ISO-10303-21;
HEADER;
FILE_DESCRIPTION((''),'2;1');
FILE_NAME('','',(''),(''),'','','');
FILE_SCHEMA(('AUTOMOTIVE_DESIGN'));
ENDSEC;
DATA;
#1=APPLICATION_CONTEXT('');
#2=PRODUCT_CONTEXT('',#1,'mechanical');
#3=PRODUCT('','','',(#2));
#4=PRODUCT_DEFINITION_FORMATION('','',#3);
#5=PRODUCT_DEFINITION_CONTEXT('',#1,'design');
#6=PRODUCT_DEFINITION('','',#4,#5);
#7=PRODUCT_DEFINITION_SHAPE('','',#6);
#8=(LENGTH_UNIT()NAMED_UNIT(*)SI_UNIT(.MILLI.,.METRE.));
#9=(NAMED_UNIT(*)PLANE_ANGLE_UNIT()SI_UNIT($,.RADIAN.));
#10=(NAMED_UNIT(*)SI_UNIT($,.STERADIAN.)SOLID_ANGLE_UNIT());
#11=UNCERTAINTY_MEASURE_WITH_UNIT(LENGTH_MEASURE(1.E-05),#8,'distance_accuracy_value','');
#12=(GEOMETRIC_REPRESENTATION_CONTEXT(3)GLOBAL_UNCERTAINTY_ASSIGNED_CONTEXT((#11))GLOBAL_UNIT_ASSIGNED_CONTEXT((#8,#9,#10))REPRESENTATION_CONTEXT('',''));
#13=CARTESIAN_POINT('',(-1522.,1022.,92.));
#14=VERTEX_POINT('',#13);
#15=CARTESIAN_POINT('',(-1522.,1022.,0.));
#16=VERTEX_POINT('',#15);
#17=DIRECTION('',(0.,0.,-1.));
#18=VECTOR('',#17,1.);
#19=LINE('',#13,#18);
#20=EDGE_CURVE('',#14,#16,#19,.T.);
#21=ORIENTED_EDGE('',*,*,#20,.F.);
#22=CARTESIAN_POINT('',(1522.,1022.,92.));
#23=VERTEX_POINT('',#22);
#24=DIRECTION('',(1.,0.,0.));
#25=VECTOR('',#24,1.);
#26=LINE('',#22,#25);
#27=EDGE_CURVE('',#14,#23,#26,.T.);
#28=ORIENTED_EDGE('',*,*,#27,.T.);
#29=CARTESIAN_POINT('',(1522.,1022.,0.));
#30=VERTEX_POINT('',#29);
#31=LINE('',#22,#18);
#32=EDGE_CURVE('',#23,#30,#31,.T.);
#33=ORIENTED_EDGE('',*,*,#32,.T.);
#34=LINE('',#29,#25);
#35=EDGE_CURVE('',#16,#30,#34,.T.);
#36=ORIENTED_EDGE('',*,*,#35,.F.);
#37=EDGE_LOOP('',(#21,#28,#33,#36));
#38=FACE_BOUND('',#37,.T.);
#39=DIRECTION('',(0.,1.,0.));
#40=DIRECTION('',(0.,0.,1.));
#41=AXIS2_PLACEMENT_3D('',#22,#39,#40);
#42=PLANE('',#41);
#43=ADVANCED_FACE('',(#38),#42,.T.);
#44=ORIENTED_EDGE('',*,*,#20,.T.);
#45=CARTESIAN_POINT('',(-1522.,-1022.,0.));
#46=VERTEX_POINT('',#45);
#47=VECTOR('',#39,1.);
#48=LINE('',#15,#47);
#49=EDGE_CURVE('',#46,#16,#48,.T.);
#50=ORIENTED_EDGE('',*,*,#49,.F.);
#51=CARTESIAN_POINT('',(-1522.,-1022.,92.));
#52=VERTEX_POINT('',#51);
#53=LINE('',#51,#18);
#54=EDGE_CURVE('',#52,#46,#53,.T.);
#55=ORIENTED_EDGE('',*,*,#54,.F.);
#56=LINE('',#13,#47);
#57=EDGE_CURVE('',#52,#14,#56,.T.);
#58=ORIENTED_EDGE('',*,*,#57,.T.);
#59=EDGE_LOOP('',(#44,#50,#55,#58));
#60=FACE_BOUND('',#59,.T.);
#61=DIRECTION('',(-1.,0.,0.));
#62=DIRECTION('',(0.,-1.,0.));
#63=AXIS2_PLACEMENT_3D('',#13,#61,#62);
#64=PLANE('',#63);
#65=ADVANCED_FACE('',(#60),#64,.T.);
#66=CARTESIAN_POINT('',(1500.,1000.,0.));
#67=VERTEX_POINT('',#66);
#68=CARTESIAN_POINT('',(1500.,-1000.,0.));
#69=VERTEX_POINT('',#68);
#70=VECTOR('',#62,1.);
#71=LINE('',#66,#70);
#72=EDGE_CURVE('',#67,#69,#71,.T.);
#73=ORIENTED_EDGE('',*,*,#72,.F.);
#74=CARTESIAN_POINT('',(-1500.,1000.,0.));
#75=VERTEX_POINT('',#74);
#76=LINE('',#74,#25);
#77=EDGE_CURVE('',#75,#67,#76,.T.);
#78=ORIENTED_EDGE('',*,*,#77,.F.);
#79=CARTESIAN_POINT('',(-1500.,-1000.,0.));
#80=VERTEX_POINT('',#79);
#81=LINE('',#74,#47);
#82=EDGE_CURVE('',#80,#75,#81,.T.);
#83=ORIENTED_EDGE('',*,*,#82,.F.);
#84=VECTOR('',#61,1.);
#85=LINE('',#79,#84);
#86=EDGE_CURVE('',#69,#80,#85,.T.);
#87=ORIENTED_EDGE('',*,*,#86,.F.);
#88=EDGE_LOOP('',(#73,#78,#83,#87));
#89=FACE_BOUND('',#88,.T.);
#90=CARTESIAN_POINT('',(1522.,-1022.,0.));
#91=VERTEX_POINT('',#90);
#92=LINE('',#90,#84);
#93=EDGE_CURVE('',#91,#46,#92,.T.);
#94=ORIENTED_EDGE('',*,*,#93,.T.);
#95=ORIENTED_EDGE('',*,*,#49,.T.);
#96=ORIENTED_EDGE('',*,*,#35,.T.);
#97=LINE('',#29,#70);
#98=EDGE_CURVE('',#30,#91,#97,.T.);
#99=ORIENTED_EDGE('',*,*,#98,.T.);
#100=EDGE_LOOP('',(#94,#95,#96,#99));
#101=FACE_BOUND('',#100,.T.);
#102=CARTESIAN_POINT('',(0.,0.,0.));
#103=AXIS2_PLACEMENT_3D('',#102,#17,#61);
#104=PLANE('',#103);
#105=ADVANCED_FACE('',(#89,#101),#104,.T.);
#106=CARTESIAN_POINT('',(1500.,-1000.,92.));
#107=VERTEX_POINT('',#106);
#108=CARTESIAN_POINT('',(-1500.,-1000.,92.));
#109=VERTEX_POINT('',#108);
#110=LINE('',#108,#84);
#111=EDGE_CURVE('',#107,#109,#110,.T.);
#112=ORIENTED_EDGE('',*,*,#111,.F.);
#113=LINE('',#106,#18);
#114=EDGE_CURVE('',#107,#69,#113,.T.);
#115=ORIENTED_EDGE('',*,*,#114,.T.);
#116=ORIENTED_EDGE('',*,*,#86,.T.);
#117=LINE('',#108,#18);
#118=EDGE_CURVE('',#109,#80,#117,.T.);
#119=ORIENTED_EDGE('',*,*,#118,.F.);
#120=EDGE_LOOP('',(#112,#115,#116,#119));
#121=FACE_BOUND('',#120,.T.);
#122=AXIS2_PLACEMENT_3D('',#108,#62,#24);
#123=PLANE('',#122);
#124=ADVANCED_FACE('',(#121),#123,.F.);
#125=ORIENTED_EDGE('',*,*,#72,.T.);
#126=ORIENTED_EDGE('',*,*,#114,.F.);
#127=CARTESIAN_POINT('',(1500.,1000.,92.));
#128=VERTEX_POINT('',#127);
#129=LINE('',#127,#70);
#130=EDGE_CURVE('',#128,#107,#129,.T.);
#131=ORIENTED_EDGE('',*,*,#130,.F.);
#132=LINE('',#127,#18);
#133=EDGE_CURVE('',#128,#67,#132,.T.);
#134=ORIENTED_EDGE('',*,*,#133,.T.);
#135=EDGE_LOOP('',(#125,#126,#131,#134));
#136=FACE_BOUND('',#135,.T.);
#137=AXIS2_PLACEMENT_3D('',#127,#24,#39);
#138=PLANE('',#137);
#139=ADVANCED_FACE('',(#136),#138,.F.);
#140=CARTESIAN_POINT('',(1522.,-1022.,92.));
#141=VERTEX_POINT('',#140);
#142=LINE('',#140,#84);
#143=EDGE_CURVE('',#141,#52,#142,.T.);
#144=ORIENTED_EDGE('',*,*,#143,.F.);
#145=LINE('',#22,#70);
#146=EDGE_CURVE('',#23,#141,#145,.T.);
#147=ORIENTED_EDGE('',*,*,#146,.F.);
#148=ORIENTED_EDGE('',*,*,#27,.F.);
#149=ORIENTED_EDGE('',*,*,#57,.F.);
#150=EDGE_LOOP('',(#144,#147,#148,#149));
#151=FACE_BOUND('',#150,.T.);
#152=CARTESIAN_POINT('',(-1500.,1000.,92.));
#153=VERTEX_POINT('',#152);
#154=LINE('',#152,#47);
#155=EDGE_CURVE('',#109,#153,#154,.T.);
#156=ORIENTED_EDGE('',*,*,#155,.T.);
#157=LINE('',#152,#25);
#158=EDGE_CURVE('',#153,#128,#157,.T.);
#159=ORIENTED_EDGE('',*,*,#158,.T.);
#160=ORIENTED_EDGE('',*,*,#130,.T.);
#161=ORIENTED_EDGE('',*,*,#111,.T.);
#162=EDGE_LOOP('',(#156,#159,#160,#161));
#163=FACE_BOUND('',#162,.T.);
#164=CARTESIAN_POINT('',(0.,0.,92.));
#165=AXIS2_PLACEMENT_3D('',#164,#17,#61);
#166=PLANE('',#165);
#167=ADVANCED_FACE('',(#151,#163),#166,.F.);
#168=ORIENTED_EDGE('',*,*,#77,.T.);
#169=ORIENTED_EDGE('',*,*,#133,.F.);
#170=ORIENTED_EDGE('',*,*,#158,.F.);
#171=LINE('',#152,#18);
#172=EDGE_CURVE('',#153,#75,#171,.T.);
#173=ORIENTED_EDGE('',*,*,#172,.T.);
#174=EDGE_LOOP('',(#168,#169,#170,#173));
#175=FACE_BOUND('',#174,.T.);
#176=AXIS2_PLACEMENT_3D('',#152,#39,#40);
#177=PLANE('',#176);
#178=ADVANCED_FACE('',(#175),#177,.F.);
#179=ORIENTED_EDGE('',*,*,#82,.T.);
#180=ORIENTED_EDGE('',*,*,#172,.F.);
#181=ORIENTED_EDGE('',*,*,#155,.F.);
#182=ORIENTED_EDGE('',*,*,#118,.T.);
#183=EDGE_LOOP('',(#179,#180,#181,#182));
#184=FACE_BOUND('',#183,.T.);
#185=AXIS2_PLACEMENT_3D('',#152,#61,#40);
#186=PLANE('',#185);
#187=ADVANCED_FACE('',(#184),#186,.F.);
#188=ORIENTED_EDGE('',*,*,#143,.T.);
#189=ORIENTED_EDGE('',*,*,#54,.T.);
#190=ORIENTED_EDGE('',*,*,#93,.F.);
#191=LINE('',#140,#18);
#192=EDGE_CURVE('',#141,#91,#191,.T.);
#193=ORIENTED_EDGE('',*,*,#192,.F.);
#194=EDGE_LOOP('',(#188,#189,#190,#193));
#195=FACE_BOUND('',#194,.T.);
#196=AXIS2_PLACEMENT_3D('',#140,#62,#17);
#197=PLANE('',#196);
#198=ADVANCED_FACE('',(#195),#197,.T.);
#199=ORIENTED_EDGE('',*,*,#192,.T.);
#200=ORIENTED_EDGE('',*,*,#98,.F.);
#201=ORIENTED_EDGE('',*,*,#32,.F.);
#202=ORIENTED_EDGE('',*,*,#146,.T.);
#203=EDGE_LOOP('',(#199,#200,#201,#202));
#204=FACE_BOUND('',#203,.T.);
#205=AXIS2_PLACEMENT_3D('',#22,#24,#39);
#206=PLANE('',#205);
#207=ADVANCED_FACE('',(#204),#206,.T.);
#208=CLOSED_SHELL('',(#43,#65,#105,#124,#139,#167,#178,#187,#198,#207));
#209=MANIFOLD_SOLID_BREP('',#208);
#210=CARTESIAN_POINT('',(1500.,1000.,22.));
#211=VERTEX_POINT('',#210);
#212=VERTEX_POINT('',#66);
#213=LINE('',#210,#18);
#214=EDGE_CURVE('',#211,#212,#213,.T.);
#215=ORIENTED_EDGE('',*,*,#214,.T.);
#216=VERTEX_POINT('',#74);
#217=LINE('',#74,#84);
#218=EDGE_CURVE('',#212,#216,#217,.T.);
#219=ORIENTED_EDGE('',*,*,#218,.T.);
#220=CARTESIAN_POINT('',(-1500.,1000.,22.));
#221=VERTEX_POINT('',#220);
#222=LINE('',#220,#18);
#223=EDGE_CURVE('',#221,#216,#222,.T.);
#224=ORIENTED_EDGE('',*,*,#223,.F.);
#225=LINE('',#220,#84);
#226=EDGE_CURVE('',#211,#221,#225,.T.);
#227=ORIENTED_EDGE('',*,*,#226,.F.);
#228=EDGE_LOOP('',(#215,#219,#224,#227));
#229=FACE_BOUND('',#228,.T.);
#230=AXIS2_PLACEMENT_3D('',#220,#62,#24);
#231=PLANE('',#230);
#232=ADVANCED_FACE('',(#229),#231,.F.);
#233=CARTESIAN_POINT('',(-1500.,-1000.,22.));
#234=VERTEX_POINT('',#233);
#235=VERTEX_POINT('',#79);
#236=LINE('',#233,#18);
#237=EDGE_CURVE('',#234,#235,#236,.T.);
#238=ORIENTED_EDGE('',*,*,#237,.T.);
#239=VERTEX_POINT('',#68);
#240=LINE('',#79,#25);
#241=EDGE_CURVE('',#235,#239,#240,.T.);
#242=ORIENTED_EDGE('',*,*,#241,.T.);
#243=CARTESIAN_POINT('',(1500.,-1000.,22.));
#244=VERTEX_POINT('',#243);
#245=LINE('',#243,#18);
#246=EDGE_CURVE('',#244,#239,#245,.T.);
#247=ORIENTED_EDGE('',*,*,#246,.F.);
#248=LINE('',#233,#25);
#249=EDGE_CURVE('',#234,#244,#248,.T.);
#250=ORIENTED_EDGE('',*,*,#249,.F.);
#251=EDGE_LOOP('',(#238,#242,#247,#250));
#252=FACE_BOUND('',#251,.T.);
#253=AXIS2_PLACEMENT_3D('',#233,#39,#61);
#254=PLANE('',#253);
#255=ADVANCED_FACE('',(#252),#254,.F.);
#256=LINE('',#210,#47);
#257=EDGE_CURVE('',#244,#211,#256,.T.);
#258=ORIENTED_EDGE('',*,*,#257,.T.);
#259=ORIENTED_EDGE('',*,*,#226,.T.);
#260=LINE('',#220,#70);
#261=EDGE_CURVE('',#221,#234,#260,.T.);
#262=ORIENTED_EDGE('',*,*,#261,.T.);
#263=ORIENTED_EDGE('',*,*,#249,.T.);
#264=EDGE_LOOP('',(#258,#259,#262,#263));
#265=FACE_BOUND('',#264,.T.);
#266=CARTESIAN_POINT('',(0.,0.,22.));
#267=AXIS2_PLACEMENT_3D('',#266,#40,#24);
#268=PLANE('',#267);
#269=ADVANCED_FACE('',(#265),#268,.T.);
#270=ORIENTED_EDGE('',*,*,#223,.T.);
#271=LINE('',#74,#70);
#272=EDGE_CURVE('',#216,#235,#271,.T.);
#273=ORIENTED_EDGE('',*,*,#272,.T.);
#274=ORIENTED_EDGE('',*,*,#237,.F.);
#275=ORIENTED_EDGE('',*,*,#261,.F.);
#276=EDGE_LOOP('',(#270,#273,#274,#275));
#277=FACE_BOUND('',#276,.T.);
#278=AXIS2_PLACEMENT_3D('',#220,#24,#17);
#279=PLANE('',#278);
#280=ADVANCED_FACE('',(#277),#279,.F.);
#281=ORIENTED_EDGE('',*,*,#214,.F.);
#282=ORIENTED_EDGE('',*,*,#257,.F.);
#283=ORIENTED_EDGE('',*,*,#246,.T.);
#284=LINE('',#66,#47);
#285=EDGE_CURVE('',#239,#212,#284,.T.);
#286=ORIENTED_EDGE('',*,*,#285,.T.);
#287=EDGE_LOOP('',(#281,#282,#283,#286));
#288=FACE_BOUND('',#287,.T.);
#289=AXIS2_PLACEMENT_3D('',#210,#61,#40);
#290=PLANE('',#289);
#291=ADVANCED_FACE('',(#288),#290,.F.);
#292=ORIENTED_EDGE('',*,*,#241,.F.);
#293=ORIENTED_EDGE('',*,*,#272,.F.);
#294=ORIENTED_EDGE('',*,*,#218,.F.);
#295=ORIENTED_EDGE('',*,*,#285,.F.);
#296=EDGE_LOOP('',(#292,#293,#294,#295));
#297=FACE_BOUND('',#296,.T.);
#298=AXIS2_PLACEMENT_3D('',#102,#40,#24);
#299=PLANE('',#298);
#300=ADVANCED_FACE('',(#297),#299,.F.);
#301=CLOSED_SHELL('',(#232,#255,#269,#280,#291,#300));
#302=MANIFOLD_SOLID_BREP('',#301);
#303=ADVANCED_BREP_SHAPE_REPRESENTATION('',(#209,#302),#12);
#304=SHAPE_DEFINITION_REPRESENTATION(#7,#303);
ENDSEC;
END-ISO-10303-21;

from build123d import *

# Parameters (mm, degrees)
ESQUISSE1_W   = 3000
ESQUISSE1_H   = 2000
BOTTOM_DEPTH  = 22
ESQUISSE2_W   = 3044
ESQUISSE2_H   = 2044
ESQUISSE2_W_2 = 3000
ESQUISSE2_H_2 = 2000
BORDER_DEPTH  = 92


with BuildPart() as part:
    # Esquisse1 → Bottom (new body)
    with BuildSketch(Plane.XY):
        Rectangle(ESQUISSE1_W, ESQUISSE1_H)
    extrude(amount=BOTTOM_DEPTH)


with BuildPart() as body_2:
    # Esquisse2 → Border (new body)
    with BuildSketch(Plane(origin=(0, 0, 0), x_dir=(-1, 0, 0), z_dir=(0, 0, -1))):
        Rectangle(ESQUISSE2_W, ESQUISSE2_H)
        Rectangle(ESQUISSE2_W_2, ESQUISSE2_H_2, mode=Mode.SUBTRACT)
    extrude(amount=-BORDER_DEPTH)


solid = Compound([part.part, body_2.part])
